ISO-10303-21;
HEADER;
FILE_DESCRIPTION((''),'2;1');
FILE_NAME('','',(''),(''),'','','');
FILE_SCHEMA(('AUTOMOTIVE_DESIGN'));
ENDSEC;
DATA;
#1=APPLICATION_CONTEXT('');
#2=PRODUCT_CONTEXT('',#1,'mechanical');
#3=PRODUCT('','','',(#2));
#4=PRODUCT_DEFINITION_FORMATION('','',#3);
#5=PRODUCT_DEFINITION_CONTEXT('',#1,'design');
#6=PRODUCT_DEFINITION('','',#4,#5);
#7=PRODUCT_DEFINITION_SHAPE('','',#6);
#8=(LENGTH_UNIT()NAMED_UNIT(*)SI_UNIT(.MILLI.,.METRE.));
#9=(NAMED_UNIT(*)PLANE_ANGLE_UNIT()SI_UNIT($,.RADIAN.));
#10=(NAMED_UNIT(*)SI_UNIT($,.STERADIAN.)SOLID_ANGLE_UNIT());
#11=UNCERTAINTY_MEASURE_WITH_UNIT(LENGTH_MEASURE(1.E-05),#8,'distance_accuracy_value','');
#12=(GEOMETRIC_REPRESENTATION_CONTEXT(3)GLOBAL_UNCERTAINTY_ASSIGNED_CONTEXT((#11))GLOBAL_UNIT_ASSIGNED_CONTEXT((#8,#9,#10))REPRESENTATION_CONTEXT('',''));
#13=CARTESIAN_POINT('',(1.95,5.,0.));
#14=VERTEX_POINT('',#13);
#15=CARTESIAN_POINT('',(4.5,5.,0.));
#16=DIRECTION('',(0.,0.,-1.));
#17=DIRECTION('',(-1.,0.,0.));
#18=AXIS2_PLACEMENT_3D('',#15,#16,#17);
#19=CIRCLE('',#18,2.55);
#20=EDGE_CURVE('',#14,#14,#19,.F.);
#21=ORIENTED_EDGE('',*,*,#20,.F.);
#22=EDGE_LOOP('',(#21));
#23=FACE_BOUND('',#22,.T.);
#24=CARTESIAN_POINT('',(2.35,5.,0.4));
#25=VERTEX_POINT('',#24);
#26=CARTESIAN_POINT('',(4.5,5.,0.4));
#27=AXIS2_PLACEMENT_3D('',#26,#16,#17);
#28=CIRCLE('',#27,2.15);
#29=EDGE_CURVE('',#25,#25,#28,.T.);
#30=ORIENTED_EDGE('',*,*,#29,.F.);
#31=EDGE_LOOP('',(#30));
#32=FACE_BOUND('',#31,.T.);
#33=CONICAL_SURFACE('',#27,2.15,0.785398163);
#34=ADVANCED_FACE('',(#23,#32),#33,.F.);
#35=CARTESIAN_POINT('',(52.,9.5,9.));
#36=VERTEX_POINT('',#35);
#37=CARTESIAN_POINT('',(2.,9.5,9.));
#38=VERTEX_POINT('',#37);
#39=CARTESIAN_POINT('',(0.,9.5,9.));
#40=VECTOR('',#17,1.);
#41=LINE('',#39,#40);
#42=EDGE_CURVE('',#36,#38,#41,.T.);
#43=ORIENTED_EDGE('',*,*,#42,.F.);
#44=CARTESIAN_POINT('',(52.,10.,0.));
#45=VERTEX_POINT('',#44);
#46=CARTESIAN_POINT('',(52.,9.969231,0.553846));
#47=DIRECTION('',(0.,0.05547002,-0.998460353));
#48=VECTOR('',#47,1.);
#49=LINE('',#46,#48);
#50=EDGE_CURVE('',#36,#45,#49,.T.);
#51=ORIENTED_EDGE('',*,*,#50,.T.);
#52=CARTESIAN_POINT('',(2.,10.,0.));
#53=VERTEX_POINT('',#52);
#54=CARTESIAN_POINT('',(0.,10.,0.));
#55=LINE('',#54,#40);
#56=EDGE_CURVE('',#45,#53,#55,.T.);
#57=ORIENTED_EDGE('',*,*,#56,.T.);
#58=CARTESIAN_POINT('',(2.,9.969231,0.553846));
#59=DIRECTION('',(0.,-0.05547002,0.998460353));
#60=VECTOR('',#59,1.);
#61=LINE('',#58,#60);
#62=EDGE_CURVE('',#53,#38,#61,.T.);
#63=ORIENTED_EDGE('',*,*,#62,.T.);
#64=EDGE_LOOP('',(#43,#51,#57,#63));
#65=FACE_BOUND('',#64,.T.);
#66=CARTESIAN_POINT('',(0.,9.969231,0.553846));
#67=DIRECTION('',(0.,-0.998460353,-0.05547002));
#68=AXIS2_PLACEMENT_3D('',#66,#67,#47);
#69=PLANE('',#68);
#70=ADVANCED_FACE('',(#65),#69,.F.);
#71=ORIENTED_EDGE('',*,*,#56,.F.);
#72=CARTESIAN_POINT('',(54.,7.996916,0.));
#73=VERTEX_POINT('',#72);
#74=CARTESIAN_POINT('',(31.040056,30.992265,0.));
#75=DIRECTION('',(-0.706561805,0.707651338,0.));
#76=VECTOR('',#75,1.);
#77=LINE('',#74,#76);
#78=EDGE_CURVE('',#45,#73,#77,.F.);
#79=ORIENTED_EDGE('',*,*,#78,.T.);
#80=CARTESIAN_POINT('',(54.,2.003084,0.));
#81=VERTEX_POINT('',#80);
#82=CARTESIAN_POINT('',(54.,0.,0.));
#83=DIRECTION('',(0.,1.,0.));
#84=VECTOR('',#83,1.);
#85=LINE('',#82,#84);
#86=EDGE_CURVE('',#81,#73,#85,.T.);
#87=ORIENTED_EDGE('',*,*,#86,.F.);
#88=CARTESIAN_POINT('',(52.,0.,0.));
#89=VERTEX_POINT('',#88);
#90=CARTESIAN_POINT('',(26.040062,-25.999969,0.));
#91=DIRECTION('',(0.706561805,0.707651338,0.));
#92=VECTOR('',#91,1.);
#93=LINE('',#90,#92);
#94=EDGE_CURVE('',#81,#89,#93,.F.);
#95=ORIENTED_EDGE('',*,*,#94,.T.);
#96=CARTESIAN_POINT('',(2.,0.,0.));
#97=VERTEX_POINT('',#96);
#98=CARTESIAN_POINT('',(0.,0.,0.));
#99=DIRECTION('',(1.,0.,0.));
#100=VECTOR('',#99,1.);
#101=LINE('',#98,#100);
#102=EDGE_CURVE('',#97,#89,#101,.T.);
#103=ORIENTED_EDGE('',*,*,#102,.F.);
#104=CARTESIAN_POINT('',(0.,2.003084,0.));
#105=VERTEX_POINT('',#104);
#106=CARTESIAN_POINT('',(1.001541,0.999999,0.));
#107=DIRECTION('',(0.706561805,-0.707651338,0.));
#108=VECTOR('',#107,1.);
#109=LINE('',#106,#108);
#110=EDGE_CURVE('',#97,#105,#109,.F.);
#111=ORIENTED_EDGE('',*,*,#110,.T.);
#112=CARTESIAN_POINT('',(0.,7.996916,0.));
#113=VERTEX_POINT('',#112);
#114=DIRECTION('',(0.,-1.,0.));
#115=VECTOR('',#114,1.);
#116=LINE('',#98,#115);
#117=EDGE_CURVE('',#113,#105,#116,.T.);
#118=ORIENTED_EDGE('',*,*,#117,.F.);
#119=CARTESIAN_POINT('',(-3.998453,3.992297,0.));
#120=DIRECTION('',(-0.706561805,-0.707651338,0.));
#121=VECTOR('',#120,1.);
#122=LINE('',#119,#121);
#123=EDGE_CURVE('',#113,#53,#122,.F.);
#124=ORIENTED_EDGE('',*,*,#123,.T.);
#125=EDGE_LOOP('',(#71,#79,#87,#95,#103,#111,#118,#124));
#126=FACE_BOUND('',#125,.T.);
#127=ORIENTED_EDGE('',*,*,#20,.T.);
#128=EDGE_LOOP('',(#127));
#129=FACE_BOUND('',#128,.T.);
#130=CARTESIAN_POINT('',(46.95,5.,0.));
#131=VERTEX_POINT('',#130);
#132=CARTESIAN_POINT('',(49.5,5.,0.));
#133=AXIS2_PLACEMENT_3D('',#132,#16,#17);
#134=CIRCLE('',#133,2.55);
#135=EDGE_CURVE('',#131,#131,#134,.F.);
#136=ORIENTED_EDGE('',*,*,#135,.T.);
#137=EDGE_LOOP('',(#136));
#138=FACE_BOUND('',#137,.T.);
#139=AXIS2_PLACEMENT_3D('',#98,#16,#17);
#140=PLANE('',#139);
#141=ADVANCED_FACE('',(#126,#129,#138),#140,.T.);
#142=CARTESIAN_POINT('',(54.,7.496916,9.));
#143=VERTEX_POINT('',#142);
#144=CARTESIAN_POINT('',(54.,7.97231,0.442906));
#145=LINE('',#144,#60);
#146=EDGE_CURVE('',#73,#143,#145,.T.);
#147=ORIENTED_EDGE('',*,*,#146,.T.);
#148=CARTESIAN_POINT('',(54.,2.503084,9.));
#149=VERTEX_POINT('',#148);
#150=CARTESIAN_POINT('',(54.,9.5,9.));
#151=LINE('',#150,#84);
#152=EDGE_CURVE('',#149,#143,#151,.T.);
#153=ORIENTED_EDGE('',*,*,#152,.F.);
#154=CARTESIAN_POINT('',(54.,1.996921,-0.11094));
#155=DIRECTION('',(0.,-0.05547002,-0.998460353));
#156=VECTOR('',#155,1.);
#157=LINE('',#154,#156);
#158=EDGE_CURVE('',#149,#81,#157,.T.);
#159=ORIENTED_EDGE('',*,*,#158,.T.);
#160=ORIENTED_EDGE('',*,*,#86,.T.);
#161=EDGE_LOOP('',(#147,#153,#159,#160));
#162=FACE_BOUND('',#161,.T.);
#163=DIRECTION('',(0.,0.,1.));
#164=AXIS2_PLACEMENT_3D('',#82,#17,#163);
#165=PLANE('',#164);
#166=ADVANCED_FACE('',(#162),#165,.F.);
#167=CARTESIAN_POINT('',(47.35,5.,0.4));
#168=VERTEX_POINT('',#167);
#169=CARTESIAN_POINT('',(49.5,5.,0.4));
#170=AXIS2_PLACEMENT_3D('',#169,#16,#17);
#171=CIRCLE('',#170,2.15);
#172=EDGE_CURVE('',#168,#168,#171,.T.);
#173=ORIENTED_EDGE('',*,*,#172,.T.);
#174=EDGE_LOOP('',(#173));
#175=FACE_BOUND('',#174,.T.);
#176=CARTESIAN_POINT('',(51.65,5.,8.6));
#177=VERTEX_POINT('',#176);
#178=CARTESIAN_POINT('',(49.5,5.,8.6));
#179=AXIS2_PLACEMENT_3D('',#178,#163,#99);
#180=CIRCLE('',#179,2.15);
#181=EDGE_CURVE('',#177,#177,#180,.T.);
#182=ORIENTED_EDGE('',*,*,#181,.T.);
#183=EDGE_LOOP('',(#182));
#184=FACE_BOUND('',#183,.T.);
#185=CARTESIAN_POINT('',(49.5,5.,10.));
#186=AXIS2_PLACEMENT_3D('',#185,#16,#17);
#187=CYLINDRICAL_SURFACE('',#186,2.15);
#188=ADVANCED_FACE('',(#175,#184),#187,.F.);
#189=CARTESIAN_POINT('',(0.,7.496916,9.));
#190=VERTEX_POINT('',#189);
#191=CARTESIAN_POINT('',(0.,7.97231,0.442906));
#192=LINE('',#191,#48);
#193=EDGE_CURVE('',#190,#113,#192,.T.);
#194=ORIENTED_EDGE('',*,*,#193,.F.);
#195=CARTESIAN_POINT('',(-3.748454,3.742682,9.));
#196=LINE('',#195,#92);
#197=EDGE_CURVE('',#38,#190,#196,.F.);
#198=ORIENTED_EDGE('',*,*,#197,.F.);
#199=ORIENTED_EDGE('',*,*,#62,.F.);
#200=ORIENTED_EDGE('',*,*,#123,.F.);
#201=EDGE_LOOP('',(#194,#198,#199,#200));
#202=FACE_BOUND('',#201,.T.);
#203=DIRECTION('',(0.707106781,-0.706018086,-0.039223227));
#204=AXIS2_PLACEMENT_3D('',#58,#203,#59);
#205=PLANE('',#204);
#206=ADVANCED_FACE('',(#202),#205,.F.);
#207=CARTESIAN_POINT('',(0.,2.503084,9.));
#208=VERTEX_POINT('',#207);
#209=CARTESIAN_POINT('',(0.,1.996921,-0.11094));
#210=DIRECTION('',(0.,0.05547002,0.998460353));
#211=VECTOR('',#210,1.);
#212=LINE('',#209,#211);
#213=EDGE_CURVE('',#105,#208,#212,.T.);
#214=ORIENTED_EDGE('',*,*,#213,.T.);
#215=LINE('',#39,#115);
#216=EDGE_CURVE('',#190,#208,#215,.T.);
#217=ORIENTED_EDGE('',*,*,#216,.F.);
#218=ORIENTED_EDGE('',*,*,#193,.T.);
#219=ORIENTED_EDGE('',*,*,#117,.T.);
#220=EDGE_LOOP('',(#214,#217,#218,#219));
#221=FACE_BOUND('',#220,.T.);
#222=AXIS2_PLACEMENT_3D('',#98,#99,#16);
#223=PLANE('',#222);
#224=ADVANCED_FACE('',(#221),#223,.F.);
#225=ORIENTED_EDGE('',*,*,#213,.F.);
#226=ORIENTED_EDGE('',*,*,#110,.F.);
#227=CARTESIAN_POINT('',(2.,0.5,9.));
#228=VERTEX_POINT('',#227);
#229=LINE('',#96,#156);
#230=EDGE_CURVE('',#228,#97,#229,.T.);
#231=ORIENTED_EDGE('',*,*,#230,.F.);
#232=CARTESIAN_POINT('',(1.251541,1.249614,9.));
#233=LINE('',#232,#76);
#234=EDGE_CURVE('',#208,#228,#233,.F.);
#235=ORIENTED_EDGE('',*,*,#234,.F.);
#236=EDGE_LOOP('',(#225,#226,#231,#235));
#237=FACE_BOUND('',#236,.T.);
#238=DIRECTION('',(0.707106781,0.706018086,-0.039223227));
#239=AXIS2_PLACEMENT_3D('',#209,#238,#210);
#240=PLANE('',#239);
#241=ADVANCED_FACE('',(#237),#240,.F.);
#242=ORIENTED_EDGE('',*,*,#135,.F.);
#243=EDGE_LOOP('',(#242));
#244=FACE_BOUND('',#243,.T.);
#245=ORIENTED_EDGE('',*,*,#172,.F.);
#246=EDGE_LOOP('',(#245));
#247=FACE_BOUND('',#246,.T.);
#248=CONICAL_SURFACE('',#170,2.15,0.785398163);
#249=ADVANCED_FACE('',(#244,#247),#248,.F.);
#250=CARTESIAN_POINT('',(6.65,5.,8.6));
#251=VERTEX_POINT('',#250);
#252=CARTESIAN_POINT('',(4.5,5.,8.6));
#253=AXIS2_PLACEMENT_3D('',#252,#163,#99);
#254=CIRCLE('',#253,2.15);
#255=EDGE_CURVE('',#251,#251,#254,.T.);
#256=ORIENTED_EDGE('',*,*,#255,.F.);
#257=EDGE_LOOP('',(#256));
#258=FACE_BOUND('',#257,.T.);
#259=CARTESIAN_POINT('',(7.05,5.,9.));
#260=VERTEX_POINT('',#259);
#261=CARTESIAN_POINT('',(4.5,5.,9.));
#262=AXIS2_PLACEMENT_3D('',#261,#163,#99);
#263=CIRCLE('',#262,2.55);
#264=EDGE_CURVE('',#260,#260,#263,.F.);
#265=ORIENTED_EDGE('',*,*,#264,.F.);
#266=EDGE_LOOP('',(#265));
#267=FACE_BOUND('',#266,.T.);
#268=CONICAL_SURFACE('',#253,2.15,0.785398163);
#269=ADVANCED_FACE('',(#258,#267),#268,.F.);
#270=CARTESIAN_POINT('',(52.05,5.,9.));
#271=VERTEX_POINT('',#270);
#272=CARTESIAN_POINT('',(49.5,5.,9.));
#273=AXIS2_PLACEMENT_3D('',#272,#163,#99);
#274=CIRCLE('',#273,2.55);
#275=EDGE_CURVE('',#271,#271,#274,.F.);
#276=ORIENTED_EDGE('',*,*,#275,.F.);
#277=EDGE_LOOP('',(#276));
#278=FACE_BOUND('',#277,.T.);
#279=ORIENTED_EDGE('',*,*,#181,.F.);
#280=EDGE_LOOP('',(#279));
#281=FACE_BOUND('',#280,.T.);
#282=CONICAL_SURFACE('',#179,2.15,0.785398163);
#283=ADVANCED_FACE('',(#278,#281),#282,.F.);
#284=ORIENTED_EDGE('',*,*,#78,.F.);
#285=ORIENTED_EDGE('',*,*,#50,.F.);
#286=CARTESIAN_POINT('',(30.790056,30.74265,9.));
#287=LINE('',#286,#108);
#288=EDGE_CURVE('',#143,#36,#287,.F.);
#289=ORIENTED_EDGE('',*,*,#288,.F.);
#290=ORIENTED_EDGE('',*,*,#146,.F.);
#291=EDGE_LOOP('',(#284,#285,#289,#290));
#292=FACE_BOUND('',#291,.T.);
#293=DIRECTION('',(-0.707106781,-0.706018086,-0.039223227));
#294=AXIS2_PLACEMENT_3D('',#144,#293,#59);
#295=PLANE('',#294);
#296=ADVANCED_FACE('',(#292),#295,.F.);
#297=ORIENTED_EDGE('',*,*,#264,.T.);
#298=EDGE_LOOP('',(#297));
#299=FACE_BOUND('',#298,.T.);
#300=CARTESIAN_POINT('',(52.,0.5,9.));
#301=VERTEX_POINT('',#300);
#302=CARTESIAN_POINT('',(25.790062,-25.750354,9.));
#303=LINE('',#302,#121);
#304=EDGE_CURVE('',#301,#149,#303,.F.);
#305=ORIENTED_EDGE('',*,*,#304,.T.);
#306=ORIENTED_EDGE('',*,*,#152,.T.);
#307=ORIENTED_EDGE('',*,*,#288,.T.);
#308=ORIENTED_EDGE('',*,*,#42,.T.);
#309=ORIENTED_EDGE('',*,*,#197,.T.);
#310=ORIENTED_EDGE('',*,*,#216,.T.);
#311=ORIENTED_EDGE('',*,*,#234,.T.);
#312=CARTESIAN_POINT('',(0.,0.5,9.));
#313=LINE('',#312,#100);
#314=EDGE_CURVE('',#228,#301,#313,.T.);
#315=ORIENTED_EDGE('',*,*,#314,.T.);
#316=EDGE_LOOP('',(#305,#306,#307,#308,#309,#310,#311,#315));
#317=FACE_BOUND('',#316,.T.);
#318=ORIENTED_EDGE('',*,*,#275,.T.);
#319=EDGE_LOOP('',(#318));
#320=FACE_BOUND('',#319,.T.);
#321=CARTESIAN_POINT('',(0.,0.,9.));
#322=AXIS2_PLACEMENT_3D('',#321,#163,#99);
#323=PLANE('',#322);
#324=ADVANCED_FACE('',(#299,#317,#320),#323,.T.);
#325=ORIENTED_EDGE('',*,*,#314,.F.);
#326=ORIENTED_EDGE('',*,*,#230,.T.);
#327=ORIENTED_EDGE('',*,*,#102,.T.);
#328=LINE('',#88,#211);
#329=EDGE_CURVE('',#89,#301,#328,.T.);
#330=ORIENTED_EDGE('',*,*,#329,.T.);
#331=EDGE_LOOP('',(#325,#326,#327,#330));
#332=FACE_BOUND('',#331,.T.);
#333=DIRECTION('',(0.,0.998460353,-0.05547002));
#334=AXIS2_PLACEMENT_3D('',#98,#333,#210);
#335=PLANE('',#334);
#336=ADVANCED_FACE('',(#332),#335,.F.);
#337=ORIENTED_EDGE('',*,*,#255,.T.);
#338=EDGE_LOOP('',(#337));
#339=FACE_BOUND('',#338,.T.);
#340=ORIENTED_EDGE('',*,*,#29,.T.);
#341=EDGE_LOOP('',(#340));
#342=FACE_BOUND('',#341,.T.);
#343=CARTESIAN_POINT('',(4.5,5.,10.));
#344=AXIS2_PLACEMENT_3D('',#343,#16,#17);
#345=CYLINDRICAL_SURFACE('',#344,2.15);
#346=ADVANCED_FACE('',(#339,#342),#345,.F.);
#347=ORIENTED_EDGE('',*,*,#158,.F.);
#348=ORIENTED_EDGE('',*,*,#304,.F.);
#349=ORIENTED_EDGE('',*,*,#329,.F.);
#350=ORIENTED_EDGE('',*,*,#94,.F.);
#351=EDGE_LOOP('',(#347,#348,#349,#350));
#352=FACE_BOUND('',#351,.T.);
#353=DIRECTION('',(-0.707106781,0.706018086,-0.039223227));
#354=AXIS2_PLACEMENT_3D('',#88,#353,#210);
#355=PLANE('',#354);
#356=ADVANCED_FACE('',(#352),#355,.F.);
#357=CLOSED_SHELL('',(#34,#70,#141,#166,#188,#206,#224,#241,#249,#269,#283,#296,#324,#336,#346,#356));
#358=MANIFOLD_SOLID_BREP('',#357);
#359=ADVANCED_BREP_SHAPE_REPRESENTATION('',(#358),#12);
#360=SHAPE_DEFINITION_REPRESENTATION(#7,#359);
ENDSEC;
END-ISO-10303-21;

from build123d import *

# Parameters (mm, degrees)
SKETCH3_R          = 2.15
CUT_EXTRUDE1_DEPTH = 10
CHAMFER1_SIZE      = 0.4
CHAMFER2_SIZE      = 2
CHAMFER3_SIZE      = 2


with BuildPart() as part:
    # Sketch1 → Loft1 section 0
    with BuildSketch(Plane.XY):
        with BuildLine():
            Line((0, 0), (54, 0))
            Line((54, 0), (54, 10))
            Line((54, 10), (0, 10))
            Line((0, 10), (0, 0))
        make_face()
    # Sketch2 → Loft1 section 1
    with BuildSketch(Plane.XY.offset(9)):
        with BuildLine():
            Line((0, 9.5), (54, 9.5))
            Line((54, 9.5), (54, 0.5))
            Line((54, 0.5), (0, 0.5))
            Line((0, 0.5), (0, 9.5))
        make_face()
    loft()

    # Sketch3 → Cut-Extrude1 (cut)
    with BuildSketch(Plane(origin=(0, 0, 0), x_dir=(-1, 0, 0), z_dir=(0, 0, -1))):
        with Locations((-49.5, 5)):
            Circle(SKETCH3_R)
        with Locations((-4.5, 5)):
            Circle(SKETCH3_R)
    extrude(amount=-CUT_EXTRUDE1_DEPTH, mode=Mode.SUBTRACT)

    # Chamfer1
    chamfer1_edges = [part.edges().sort_by_distance(p)[0] for p in [
        (51.65, 5, 9),
        (51.65, 5, 0),
        (6.65, 5, 9),
        (6.65, 5, 0),
    ]]
    chamfer(chamfer1_edges, length=CHAMFER1_SIZE)

    # Chamfer2
    chamfer2_edges = [part.edges().sort_by_distance(p)[0] for p in [
        (0, 9.75, 4.5),
        (54, 9.75, 4.5),
    ]]
    chamfer(chamfer2_edges, length=CHAMFER2_SIZE)

    # Chamfer3
    chamfer3_edges = [part.edges().sort_by_distance(p)[0] for p in [
        (54, 0.25, 4.5),
        (0, 0.25, 4.5),
    ]]
    chamfer(chamfer3_edges, length=CHAMFER3_SIZE)


solid = part.part
